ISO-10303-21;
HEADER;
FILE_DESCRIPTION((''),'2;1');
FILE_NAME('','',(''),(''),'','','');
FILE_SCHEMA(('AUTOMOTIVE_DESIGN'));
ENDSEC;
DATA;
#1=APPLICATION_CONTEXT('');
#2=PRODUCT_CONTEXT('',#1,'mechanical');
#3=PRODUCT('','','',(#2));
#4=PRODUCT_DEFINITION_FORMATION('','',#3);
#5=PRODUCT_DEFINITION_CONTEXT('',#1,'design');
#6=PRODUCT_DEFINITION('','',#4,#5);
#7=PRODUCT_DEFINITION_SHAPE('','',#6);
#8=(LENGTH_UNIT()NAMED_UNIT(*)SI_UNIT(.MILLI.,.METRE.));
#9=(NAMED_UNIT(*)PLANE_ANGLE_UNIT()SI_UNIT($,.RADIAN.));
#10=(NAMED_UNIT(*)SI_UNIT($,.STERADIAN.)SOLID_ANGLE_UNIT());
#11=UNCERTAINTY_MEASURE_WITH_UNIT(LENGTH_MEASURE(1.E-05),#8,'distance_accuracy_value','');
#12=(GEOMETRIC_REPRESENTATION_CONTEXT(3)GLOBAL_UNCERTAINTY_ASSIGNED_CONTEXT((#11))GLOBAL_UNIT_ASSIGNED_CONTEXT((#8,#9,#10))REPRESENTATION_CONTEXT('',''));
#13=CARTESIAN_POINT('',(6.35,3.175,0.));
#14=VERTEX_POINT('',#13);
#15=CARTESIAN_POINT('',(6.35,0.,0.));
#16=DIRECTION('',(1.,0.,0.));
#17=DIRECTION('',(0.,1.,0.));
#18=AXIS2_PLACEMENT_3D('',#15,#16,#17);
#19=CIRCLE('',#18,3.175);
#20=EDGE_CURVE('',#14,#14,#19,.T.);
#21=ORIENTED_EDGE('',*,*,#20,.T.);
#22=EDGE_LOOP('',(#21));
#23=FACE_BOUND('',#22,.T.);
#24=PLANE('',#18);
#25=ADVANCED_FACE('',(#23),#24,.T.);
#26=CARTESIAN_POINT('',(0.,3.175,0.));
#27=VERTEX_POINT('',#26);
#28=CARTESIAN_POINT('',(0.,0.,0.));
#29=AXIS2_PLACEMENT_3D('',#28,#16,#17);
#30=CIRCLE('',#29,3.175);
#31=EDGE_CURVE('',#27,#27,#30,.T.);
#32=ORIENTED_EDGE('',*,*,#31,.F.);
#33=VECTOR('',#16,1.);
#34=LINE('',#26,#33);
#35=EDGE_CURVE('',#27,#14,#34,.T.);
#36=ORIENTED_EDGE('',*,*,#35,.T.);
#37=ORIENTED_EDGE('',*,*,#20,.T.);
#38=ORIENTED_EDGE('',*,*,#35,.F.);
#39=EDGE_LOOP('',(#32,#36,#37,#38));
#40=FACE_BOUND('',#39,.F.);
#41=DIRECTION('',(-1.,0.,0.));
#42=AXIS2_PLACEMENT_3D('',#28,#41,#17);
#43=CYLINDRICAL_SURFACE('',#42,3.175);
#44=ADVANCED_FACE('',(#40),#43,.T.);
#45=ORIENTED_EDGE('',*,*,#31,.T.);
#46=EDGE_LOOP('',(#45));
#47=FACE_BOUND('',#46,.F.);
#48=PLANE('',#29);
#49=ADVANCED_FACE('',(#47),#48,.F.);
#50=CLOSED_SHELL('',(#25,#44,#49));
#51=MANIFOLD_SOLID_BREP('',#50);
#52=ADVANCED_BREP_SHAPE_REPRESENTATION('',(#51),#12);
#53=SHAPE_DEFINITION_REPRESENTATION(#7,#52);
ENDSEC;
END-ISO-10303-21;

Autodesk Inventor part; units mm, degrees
ref_plane "YZ Plane" through (0, 0, 0) normal (1, 0, 0) x (0, 1, 0)
ref_plane "XZ Plane" through (0, 0, 0) normal (0, 1, 0) x (-1, 0, 0)
ref_plane "XY Plane" through (0, 0, 0) normal (0, 0, 1) x (1, 0, 0)
sketch "Sketch1" plane through (0, 0, 0) normal (1, 0, 0) x (0, 1, 0)
  circle A0 centre (0, 0) radius 3.175
  dimension "d0" = 6.35
extrude "Extrusion1" add sketch "Sketch1" along normal blind 6.35
properties part number "OUTK_020_Dowel" material "Stainless Steel"
